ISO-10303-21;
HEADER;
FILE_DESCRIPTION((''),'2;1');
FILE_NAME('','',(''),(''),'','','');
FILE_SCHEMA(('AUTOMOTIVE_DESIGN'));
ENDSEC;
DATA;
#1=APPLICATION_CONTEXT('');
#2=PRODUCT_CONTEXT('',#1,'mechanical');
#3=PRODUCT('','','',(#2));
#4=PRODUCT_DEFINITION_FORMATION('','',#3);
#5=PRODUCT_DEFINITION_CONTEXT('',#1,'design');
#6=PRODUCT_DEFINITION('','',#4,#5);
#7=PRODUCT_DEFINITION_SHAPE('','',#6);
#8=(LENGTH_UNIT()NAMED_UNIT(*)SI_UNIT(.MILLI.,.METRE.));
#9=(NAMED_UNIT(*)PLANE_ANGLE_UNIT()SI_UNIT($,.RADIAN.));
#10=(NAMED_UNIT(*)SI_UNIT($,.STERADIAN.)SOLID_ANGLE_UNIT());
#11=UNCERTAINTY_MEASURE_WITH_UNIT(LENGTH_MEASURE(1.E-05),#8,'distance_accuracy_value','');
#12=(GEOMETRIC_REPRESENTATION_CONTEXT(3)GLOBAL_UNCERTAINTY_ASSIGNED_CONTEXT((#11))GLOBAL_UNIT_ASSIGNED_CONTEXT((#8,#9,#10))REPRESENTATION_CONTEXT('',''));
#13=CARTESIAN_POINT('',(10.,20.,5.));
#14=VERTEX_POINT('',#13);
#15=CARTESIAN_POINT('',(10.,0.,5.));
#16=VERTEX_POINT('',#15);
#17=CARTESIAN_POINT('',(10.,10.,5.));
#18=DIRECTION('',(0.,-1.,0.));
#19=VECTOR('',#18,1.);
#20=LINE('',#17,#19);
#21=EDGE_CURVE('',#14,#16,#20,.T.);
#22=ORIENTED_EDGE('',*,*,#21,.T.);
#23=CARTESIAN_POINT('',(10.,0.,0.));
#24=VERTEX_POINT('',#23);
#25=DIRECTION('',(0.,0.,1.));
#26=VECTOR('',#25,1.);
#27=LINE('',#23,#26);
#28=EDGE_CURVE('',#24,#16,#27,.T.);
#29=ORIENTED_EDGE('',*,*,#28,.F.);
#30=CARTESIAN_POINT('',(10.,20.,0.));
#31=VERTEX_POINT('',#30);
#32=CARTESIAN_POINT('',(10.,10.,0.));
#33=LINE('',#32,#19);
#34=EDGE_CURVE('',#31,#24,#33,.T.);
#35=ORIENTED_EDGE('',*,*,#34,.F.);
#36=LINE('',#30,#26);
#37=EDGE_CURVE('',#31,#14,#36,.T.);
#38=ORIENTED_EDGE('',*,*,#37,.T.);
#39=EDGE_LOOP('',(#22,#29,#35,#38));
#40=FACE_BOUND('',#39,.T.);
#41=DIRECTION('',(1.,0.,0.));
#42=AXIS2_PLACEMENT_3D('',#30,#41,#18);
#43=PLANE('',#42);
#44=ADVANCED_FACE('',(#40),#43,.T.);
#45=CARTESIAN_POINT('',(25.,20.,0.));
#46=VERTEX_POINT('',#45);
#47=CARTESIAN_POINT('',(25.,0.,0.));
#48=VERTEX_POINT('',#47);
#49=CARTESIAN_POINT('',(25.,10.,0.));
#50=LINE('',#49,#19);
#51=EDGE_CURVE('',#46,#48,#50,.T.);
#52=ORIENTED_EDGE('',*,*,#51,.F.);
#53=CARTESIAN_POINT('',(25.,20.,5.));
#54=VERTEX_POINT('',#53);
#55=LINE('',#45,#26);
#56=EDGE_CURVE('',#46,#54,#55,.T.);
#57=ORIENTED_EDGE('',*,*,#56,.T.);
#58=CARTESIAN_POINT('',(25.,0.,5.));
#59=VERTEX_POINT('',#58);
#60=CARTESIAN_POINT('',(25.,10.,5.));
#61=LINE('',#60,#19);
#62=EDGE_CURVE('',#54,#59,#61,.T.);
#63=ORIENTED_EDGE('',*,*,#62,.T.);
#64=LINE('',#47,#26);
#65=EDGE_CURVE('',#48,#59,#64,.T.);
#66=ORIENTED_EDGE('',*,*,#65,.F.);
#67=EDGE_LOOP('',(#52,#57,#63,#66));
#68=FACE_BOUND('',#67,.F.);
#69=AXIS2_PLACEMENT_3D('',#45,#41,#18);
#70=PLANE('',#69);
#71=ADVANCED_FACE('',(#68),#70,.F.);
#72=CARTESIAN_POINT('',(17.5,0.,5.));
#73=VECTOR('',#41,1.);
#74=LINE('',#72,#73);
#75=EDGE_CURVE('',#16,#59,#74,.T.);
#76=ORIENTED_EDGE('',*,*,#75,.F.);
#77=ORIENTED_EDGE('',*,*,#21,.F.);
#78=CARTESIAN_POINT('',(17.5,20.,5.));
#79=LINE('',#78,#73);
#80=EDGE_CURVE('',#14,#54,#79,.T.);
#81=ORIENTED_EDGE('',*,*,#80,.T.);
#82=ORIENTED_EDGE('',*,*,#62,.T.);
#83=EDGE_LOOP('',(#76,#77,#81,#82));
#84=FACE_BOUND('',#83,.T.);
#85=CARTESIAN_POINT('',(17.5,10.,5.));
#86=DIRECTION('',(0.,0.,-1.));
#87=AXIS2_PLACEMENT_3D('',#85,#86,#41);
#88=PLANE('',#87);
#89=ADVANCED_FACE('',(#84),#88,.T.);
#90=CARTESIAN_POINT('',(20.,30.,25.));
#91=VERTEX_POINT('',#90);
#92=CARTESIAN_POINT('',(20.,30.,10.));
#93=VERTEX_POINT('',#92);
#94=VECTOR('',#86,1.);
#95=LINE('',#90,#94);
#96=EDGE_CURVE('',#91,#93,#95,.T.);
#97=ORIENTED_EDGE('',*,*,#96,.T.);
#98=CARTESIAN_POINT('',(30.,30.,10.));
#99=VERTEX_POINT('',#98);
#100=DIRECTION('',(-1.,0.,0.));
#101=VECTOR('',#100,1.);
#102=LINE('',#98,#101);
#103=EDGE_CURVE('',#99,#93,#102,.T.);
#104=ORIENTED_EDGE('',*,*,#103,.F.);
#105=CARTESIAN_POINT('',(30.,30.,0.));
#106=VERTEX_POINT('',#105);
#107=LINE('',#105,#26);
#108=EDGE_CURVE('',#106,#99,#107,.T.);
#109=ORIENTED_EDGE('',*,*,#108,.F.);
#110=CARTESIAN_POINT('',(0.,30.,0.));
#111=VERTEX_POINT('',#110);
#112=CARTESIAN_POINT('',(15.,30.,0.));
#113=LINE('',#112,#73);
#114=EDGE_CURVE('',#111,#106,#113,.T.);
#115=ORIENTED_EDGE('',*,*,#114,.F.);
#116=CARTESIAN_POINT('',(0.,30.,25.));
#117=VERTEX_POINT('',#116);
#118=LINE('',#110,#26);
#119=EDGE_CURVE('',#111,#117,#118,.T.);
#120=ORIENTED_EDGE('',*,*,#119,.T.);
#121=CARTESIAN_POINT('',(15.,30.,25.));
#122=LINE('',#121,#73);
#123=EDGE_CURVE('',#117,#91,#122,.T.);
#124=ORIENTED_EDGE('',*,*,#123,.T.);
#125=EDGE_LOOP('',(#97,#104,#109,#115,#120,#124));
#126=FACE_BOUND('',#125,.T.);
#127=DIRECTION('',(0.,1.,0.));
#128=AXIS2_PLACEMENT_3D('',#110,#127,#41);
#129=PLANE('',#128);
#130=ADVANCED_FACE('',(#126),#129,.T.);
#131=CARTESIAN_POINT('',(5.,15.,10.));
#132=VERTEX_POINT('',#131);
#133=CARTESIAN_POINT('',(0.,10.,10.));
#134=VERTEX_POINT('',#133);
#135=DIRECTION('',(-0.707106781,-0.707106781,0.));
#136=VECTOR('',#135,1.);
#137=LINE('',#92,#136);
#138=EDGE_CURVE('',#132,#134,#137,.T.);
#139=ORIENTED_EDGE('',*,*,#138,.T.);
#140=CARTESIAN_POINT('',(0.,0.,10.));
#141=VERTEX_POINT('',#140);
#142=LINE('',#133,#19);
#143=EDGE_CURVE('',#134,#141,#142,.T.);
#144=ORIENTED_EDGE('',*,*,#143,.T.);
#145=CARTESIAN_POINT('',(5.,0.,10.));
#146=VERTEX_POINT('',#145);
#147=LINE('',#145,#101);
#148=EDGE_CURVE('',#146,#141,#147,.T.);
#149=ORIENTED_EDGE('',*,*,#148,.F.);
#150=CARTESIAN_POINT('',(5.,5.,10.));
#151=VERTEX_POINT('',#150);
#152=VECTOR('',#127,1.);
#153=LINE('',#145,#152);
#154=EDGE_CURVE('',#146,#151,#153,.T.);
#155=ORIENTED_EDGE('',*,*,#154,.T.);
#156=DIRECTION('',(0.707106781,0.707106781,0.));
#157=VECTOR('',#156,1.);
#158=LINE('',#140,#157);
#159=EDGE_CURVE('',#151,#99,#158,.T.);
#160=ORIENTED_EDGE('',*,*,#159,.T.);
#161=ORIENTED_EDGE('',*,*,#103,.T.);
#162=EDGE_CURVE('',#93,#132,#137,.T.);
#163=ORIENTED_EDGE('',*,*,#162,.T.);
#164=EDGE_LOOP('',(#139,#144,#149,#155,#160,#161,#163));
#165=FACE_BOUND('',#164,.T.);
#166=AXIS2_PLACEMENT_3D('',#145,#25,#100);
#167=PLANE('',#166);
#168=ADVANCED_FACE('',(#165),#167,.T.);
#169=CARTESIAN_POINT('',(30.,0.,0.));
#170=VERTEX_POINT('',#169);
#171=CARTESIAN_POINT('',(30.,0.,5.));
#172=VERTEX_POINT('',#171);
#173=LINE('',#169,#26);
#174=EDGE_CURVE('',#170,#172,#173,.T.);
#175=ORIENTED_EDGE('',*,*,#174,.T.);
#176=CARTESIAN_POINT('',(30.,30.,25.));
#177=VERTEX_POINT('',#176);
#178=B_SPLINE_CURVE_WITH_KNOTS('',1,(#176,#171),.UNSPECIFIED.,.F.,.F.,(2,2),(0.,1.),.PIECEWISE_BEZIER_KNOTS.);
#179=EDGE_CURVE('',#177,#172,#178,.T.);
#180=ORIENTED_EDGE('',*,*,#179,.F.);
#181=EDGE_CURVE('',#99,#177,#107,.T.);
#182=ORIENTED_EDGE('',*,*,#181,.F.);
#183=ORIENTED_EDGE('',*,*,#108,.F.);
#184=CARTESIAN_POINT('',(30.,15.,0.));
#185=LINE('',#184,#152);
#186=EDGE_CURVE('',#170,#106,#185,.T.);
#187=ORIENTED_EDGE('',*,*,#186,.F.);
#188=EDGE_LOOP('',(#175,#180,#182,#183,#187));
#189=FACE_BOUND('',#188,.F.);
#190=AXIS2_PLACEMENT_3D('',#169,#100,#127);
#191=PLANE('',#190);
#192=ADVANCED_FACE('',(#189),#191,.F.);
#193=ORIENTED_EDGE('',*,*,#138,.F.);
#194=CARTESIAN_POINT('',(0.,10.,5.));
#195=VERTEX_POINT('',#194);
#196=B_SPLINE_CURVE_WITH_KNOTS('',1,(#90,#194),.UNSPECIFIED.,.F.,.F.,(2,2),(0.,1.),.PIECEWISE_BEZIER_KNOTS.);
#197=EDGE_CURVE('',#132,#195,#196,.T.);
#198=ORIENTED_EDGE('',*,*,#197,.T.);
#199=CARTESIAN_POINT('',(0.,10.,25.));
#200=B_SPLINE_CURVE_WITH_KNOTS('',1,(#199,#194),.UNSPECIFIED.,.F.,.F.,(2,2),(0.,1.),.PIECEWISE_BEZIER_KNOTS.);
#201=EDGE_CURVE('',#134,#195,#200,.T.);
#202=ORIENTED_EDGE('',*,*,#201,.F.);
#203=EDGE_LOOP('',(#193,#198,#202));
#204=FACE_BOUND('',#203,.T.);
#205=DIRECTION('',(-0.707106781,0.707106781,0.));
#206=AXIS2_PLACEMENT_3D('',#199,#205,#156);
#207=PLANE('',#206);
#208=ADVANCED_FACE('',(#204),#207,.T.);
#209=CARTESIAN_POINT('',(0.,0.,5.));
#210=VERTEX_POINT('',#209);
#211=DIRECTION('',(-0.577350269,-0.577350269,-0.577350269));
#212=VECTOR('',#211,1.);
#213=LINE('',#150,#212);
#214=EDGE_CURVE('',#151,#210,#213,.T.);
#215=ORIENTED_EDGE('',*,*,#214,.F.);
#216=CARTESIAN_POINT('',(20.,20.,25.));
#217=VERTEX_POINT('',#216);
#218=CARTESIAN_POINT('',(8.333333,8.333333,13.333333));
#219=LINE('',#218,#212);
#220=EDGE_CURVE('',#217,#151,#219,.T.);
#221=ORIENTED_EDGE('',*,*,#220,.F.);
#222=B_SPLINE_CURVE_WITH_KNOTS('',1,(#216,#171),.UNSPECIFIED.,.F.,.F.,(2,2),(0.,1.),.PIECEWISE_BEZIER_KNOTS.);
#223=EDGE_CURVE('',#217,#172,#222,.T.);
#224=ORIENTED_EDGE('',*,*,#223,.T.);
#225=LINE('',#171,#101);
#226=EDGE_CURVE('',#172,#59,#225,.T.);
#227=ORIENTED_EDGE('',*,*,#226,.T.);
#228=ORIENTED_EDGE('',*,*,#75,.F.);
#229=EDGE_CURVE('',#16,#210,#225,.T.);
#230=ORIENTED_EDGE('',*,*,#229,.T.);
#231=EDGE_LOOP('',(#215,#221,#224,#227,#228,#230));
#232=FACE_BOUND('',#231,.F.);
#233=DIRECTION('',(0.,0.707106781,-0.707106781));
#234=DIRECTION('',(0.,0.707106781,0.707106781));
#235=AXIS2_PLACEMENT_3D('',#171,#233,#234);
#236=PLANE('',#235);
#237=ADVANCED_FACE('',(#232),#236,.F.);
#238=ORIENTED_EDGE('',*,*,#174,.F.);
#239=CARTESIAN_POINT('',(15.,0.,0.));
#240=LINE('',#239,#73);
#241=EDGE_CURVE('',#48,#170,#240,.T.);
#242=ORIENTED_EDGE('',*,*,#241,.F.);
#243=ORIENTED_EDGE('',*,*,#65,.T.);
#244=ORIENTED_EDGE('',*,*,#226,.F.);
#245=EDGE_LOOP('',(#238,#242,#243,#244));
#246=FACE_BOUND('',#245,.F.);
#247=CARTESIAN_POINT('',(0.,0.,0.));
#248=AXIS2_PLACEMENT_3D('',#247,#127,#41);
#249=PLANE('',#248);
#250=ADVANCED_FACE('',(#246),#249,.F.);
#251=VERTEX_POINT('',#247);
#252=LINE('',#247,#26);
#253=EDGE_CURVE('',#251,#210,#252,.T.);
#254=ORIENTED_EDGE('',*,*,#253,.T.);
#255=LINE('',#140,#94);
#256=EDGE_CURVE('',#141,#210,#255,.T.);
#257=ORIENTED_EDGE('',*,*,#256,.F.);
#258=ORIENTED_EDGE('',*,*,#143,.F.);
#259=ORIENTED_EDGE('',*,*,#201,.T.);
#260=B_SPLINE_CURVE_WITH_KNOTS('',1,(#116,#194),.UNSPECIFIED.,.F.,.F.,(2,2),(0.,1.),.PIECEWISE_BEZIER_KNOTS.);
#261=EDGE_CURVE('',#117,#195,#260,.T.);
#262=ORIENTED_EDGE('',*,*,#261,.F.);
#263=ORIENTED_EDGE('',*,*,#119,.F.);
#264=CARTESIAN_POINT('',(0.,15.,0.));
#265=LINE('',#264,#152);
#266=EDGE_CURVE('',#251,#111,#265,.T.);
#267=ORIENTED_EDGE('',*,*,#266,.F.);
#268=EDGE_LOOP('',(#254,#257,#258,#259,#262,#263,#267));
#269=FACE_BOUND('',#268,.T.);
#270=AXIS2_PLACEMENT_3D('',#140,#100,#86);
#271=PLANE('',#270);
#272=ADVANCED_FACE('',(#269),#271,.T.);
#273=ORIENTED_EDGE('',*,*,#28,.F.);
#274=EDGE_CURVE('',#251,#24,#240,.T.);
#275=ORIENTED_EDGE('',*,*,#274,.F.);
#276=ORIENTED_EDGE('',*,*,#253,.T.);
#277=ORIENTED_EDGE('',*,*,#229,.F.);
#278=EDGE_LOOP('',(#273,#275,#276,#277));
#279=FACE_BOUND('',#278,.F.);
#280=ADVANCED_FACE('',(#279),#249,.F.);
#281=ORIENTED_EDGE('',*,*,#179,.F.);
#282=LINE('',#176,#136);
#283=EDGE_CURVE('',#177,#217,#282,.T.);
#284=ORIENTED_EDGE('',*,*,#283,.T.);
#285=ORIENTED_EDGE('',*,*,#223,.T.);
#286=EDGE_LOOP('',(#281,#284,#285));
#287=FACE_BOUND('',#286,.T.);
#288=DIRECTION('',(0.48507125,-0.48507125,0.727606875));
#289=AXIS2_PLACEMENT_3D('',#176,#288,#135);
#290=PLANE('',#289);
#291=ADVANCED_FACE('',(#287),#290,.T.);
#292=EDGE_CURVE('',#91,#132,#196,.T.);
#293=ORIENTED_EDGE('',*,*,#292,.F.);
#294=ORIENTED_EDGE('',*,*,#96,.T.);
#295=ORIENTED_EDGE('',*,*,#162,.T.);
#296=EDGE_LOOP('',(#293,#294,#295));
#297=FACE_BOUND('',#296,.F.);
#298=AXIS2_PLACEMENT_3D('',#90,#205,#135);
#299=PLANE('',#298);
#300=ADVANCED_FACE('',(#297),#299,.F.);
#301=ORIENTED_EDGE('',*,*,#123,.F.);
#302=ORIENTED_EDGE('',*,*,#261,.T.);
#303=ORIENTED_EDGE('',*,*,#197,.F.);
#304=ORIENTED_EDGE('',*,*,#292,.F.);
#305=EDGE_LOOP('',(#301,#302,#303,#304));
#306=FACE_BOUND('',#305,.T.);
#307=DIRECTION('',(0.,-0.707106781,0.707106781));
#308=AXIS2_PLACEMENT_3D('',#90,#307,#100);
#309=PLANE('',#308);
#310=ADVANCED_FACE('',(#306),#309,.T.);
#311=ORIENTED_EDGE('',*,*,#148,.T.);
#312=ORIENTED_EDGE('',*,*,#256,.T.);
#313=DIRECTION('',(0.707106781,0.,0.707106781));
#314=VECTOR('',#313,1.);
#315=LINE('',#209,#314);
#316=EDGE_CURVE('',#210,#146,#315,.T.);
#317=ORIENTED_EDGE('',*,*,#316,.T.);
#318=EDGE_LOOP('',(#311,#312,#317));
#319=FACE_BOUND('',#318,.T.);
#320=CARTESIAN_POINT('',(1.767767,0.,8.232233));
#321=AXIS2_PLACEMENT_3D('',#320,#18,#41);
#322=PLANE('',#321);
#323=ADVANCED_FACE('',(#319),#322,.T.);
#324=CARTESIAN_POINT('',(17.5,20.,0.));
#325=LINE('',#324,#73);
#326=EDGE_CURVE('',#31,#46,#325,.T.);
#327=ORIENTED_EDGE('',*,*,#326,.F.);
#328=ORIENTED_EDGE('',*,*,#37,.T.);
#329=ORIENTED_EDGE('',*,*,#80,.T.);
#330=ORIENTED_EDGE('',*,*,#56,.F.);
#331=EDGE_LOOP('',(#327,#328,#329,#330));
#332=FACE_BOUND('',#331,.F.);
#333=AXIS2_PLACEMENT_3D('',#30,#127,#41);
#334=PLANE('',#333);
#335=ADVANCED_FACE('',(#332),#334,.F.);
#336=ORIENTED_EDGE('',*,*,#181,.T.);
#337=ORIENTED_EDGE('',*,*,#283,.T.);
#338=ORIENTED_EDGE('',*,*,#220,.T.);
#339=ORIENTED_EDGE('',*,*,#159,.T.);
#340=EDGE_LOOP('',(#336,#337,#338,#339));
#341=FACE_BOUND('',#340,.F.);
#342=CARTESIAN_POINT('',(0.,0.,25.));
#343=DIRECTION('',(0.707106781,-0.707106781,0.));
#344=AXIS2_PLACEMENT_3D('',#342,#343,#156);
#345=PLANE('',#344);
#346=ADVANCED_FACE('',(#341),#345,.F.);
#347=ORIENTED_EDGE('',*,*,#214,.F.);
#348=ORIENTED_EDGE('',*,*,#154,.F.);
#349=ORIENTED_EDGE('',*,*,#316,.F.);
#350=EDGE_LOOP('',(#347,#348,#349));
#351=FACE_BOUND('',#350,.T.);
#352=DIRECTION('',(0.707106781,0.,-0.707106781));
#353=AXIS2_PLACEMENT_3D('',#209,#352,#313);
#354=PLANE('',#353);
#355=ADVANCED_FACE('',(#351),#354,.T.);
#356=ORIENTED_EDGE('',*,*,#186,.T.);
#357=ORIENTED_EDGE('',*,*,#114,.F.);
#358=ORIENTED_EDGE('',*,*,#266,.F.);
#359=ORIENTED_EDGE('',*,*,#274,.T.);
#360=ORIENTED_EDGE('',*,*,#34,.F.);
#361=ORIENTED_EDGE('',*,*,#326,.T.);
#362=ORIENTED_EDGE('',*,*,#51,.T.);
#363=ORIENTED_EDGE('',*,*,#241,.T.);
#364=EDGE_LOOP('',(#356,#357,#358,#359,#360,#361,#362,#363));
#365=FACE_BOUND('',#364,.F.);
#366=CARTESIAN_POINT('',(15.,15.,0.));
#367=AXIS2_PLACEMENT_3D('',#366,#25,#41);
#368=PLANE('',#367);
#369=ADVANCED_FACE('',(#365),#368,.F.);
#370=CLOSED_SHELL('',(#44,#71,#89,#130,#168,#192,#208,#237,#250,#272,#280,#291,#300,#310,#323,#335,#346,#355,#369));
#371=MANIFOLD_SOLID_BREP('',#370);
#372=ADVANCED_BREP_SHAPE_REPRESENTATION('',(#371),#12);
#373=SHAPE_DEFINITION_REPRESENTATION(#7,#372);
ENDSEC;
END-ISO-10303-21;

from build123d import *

# Parameters (mm, degrees)
F0_W      = 30
F0_H      = 30
F1_DEPTH  = 25
F6_W      = 15
F6_H      = 20
F10_DEPTH = 5
F11_DEPTH = 30.0010001
F12_DEPTH = 15


with BuildPart() as f1:
    # F0 (on Top) → F1 (new body)
    with BuildSketch(Plane.XY):
        with Locations((15, 15)):
            Rectangle(F0_W, F0_H)
    extrude(amount=F1_DEPTH)

    # F2 (on face) → F7 section 0
    with BuildSketch(Plane.XY.offset(25), mode=Mode.PRIVATE) as f7_s0:
        Polygon((0, 10), (20, 30), (0, 30), align=None)
    loft([f7_s0.sketch, Vertex(0, 10, 5)], mode=Mode.SUBTRACT)

    # F2 (on face) → F8 section 0
    with BuildSketch(Plane.XY.offset(25), mode=Mode.PRIVATE) as f8_s0:
        Polygon((30, 0), (30, 30), (20, 20), align=None)
    loft([f8_s0.sketch, Vertex(30, 0, 5)], mode=Mode.SUBTRACT)

    # F3 (on face) → F9 section 0
    with BuildSketch(Plane.XZ, mode=Mode.PRIVATE) as f9_s0:
        Polygon((30, 25), (20, 25), (30, 5), align=None)
    loft([f9_s0.sketch, Vertex(20, 20, 25)], mode=Mode.SUBTRACT)

    # F6 (on face) → F10 (cut)
    with BuildSketch(Plane(origin=(0, 0, 0), x_dir=(1, 0, 0), z_dir=(0, 0, -1))):
        with Locations((17.5, -10)):
            Rectangle(F6_W, F6_H)
    extrude(amount=-F10_DEPTH, mode=Mode.SUBTRACT)

    # F4 (on face) → F11 (cut, through all)
    with BuildSketch(Plane.YZ.offset(30)):
        Polygon((0, 25), (0, 5), (20, 25), align=None)
    extrude(amount=-F11_DEPTH, mode=Mode.SUBTRACT)

    # F2 (on face) → F12 (cut)
    with BuildSketch(Plane.XY.offset(25)):
        Polygon((30, 30), (20, 30), (0, 10), (0, 0), (20, 20), align=None)
    extrude(amount=-F12_DEPTH, mode=Mode.SUBTRACT)

    # F13 (on face) → F14 (join, up to the next surface of F1)
    with BuildSketch(Plane.XZ):
        Polygon((0, 5), (5, 10), (0, 10), align=None)
    extrude(until=Until.NEXT, dir=(0, 1, 0))


solid = f1.part
